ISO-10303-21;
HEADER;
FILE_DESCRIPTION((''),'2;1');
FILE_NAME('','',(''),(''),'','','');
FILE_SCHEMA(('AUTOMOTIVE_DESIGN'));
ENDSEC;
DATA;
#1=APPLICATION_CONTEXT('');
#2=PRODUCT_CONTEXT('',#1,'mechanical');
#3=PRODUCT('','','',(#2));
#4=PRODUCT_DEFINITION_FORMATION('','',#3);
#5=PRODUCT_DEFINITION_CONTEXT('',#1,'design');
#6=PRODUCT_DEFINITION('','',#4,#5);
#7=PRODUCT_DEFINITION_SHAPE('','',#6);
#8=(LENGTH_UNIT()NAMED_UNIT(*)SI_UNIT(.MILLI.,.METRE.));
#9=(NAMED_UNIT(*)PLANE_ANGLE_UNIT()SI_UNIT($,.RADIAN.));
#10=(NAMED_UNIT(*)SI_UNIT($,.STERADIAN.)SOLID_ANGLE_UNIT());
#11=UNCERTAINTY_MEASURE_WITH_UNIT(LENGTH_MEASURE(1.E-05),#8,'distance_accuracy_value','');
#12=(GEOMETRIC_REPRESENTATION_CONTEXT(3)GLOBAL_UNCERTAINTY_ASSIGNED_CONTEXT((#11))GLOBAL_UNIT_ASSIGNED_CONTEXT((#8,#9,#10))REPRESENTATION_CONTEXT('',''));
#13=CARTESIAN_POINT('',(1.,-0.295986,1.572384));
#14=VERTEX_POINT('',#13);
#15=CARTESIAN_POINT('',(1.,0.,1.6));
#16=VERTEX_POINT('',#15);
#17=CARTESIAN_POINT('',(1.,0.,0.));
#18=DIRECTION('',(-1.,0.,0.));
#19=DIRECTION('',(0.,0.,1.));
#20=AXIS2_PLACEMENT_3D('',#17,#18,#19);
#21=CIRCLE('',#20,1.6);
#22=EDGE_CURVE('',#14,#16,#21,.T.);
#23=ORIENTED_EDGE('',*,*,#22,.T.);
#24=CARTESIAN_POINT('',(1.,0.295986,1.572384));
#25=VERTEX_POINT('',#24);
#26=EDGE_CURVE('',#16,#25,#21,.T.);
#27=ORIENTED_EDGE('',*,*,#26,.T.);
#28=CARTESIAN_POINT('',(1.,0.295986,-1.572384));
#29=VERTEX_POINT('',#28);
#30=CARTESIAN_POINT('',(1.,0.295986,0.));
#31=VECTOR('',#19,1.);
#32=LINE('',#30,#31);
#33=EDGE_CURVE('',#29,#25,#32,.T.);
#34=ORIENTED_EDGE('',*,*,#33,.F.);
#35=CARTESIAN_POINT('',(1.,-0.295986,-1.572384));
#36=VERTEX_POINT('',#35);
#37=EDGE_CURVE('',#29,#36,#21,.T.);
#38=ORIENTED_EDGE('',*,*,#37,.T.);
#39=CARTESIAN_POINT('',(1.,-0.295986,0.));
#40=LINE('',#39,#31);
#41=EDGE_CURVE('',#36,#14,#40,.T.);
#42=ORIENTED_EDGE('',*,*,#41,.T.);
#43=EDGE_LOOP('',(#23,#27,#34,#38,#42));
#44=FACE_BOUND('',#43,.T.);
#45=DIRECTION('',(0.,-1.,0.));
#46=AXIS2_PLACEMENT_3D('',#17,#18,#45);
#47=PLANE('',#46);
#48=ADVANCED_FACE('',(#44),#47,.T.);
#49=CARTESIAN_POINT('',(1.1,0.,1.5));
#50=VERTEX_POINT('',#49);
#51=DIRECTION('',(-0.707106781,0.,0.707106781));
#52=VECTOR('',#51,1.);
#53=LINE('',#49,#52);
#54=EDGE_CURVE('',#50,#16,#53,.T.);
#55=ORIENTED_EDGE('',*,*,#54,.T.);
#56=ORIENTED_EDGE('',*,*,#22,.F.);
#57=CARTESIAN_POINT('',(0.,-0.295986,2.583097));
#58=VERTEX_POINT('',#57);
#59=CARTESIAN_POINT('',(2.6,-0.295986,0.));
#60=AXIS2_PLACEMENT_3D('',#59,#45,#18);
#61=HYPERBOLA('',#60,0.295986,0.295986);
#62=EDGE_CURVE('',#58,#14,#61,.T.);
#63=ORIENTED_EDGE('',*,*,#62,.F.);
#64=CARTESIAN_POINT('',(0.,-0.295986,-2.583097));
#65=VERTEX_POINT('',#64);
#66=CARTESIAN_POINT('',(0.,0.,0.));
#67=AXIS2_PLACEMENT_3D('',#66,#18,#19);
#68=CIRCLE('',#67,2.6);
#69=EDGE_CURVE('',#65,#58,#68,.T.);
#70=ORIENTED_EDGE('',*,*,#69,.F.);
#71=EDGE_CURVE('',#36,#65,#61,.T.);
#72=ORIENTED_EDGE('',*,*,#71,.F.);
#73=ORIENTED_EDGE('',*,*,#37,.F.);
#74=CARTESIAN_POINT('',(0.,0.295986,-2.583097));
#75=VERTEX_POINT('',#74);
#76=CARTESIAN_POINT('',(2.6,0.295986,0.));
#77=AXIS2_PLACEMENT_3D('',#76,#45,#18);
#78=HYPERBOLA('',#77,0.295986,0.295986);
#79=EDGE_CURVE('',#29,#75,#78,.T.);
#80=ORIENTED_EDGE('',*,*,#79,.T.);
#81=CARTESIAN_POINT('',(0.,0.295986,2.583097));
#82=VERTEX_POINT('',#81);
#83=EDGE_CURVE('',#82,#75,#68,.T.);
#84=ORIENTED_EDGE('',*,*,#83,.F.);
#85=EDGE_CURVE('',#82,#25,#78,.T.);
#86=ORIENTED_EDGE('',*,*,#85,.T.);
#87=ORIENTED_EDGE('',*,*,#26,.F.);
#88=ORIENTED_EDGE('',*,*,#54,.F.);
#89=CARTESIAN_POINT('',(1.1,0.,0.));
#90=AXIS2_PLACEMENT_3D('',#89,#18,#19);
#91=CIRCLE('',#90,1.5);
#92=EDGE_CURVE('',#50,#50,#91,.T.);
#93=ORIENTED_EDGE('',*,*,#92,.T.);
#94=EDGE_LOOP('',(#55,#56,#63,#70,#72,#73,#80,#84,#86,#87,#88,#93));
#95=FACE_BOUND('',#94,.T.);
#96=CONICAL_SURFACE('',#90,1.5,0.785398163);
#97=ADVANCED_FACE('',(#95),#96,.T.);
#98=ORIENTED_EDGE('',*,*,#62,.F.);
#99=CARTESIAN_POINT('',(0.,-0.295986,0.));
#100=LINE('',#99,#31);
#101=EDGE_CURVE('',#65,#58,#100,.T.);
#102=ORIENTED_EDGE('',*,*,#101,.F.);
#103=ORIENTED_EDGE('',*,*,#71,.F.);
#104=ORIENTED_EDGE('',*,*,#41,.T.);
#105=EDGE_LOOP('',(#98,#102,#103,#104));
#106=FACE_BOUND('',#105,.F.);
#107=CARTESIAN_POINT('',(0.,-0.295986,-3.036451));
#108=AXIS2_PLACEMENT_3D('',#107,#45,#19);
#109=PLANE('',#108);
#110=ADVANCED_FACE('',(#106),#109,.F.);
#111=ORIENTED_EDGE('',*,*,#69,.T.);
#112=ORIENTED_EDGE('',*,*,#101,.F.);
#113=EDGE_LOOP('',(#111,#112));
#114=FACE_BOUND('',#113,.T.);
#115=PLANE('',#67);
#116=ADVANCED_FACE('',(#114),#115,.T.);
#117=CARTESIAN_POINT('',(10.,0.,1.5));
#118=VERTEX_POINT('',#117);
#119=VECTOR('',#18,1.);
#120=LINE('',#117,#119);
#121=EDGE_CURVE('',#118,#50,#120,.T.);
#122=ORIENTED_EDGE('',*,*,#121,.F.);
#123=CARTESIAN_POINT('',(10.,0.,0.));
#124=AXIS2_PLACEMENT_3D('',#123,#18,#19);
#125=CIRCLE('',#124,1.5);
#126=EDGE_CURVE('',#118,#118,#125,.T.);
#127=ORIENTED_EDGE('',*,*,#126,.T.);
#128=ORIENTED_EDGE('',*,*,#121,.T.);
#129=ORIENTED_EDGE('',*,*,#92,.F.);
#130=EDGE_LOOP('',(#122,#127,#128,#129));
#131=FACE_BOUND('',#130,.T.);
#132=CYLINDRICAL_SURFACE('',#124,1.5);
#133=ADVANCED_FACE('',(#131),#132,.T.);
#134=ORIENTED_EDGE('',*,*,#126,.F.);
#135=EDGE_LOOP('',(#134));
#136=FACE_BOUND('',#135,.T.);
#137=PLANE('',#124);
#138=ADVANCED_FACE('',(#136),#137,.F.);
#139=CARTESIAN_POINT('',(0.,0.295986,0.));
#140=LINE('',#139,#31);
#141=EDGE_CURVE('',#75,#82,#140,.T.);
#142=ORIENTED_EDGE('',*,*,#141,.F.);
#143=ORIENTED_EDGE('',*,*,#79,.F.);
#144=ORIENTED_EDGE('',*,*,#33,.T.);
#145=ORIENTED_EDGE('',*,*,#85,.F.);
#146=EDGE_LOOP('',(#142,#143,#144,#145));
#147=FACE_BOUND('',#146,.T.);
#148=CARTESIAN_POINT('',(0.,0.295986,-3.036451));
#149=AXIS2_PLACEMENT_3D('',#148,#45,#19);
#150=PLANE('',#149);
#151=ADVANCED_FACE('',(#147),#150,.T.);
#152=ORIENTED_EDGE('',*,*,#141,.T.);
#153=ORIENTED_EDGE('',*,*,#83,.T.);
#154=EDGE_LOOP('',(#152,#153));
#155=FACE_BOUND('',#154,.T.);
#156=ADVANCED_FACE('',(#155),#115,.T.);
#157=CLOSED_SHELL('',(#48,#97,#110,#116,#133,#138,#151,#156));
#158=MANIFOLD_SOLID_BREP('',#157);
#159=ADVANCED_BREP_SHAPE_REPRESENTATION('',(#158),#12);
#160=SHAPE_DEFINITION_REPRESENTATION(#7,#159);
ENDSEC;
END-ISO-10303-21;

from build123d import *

# Parameters (mm, degrees)
F2_W     = 0.591972
F2_H     = 6.072902
F3_DEPTH = 1


with BuildPart() as f1:
    # F0 (on Front) → F1 (revolve)
    with BuildSketch(Plane.XZ):
        Polygon((0, 2.6), (0, 0), (10, 0), (10, 1.5), (1.1, 1.5), align=None)
    revolve(axis=Axis((5, 0, 0), (-1, 0, 0)))

    # F2 (on face) → F3 (cut)
    with BuildSketch(Plane(origin=(0, 0, 0), x_dir=(0, -1, 0), z_dir=(-1, 0, 0))):
        Rectangle(F2_W, F2_H)
    extrude(amount=-F3_DEPTH, mode=Mode.SUBTRACT)


solid = f1.part
